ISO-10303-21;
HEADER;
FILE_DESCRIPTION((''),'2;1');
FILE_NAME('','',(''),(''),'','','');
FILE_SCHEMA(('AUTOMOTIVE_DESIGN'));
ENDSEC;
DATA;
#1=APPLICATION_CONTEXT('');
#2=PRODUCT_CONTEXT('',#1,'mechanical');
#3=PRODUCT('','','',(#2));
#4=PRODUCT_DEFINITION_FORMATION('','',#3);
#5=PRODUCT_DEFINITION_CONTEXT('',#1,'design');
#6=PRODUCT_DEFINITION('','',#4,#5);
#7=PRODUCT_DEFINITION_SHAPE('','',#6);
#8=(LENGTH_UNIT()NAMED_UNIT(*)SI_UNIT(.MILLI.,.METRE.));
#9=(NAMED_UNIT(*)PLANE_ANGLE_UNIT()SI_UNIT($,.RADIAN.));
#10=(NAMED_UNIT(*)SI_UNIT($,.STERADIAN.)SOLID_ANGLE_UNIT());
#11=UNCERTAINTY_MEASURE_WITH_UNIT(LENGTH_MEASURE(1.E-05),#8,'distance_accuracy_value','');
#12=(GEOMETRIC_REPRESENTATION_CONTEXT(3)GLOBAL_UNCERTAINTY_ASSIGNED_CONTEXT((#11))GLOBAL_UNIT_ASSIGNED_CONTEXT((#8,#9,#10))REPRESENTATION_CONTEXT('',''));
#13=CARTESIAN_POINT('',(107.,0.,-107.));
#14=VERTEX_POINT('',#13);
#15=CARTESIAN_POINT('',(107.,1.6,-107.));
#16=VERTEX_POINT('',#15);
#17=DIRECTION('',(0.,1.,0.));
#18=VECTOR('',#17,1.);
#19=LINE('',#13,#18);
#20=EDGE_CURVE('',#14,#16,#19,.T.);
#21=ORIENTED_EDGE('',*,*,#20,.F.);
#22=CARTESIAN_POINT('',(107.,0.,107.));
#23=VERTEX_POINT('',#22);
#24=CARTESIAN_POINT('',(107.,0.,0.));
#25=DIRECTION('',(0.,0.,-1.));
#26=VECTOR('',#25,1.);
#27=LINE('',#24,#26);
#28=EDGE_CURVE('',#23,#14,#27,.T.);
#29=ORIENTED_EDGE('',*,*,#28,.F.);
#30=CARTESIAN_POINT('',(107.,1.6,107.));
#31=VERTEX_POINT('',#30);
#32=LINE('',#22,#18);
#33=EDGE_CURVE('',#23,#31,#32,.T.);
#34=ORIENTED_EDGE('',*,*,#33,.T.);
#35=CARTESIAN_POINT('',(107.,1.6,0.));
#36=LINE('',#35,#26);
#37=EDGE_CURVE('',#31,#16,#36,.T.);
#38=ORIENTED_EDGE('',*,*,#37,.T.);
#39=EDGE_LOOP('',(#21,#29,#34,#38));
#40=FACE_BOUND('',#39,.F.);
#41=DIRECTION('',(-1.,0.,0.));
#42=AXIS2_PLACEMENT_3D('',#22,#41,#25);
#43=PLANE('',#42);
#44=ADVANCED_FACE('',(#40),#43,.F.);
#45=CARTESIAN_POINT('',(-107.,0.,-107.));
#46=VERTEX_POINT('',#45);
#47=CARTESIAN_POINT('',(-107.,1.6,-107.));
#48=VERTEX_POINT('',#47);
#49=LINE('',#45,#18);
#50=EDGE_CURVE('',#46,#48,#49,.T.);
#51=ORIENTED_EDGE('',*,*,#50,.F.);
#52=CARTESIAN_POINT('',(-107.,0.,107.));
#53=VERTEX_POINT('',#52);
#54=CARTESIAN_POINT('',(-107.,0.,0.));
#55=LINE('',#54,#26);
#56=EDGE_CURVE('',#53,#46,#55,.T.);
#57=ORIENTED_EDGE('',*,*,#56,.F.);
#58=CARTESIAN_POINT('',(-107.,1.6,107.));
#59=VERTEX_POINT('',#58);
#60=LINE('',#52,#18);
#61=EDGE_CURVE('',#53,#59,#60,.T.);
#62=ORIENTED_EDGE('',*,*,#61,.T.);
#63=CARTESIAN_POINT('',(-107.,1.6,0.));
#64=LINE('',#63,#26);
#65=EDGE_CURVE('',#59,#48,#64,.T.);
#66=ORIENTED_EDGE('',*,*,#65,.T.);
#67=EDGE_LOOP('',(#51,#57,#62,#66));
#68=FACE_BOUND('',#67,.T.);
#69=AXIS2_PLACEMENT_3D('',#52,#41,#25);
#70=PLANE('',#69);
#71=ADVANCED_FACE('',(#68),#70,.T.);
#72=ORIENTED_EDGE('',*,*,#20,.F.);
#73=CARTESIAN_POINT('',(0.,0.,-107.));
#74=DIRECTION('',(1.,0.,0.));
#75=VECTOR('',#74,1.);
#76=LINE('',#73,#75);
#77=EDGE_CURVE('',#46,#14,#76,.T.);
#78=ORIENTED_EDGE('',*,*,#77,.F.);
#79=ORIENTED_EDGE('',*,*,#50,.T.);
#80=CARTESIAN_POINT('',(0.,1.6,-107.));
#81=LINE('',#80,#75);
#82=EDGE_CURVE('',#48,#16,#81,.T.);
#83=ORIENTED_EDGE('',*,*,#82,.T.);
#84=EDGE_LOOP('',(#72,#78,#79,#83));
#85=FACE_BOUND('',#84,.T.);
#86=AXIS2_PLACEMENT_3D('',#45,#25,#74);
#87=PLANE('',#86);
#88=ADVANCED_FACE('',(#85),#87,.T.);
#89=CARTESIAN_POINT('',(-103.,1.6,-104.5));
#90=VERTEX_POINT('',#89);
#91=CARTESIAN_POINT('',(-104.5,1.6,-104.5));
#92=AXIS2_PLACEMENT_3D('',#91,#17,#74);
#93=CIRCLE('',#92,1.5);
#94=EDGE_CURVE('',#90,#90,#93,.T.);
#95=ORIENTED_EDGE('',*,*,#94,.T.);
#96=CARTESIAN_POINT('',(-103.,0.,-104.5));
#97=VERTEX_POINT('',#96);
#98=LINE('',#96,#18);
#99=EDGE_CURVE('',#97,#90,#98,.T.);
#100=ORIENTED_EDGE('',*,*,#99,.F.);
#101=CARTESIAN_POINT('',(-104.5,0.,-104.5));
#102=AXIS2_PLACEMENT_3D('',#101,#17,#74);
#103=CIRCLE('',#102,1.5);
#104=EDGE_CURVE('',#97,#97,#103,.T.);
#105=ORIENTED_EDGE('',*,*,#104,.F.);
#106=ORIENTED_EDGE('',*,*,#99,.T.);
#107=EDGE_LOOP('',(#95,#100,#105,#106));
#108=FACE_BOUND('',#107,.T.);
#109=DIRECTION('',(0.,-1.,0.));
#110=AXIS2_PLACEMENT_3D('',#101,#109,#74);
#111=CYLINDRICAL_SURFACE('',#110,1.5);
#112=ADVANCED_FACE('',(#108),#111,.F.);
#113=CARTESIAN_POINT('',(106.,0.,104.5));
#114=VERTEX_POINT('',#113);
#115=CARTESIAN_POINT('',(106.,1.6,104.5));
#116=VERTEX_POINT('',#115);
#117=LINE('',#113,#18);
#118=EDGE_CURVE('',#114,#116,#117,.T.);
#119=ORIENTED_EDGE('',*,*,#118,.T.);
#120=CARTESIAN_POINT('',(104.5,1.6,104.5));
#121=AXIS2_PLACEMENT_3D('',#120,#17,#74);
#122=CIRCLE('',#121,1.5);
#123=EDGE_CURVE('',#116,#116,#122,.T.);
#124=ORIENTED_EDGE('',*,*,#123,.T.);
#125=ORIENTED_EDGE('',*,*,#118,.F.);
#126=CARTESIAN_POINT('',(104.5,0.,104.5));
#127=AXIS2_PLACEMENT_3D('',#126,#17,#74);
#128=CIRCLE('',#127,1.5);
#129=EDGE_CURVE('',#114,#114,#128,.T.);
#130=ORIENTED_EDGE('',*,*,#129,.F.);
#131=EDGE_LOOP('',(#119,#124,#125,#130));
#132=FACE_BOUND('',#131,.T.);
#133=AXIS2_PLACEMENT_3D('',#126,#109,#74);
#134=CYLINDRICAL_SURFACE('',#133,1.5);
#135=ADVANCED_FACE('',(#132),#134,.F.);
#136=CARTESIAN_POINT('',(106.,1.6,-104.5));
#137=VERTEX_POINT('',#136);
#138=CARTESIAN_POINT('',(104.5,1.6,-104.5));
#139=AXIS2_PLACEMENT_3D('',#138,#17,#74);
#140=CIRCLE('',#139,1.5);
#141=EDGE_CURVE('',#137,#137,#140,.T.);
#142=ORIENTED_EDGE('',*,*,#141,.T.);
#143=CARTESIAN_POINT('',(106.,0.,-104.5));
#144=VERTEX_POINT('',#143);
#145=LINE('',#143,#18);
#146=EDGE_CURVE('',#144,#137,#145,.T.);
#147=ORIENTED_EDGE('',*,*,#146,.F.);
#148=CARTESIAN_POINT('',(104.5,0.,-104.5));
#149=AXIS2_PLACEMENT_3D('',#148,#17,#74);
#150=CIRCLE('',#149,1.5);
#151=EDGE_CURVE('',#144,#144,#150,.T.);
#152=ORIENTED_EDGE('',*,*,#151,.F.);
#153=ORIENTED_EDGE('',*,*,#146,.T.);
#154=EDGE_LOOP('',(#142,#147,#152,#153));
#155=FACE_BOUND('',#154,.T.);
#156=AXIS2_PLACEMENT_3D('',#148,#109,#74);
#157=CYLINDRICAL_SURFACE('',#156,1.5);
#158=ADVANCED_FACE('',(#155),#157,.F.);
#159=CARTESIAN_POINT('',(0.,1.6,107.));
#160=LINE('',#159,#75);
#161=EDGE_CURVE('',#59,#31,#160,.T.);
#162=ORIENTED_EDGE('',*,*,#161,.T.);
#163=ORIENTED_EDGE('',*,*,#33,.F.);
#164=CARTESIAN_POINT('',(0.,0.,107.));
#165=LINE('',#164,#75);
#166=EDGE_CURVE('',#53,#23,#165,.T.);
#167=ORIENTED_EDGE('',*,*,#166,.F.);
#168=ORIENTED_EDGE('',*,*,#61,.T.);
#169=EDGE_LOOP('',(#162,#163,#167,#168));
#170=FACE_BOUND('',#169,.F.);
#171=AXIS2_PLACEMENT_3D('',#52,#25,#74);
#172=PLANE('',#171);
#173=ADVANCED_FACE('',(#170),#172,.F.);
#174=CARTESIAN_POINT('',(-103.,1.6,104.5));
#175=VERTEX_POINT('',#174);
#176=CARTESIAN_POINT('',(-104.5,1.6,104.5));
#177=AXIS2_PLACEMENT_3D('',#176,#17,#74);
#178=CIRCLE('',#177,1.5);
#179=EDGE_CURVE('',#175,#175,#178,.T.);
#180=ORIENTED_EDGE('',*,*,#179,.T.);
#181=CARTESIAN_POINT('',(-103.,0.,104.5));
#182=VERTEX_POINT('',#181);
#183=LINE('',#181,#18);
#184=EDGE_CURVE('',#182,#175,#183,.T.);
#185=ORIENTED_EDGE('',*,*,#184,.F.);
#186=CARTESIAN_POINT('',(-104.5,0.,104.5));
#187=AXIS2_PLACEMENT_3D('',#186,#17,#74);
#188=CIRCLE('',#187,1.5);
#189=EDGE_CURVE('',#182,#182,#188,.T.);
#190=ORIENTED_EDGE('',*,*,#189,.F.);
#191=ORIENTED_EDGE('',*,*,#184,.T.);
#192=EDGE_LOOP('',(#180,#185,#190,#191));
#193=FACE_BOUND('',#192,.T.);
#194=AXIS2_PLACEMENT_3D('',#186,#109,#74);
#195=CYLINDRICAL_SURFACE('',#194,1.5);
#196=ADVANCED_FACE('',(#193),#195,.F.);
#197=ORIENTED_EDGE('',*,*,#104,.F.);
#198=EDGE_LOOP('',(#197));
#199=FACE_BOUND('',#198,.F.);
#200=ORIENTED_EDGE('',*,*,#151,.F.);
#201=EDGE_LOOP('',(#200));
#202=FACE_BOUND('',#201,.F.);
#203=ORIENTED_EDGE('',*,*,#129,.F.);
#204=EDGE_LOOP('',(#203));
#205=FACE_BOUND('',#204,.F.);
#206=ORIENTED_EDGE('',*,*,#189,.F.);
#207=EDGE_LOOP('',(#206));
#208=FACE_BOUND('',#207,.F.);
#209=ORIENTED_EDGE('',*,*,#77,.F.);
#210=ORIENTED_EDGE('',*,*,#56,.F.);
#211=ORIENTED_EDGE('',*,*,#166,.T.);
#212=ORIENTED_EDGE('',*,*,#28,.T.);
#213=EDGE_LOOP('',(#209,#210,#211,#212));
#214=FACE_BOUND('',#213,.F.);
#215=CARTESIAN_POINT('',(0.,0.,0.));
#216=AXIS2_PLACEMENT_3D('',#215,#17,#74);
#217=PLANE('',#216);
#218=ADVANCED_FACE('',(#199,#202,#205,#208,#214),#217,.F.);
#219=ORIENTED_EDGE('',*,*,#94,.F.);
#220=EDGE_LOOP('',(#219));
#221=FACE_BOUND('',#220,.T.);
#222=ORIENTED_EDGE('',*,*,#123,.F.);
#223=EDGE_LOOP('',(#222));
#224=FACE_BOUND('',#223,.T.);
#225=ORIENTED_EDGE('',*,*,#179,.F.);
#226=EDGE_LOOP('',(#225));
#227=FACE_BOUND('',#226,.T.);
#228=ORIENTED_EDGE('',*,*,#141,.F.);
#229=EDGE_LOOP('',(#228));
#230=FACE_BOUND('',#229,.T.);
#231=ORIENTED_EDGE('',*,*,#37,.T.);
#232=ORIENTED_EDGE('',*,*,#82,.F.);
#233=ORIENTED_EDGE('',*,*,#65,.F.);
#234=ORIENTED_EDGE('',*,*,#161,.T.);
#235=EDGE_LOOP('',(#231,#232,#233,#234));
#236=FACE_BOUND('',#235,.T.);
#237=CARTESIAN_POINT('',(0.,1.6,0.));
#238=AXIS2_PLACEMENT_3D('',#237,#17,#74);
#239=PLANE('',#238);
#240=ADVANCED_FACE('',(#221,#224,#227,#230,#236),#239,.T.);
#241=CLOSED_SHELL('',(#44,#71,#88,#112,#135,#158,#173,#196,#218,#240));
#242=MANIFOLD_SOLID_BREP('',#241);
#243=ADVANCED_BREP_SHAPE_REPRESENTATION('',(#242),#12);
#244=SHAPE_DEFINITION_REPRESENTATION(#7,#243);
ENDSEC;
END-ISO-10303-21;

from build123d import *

# Parameters (mm, degrees)
SKETCH1_W           = 214
SKETCH1_H           = 214
SKETCH1_R           = 1.5
BOSS_EXTRUDE1_DEPTH = 1.6


with BuildPart() as part:
    # Sketch1 → Boss-Extrude1 (new body)
    with BuildSketch(Plane(origin=(0, 0, 0), x_dir=(1, 0, 0), z_dir=(0, 1, 0))):
        Rectangle(SKETCH1_W, SKETCH1_H)
        with Locations((-104.5, 104.5)):
            Circle(SKETCH1_R, mode=Mode.SUBTRACT)
        with Locations((104.5, 104.5)):
            Circle(SKETCH1_R, mode=Mode.SUBTRACT)
        with Locations((104.5, -104.5)):
            Circle(SKETCH1_R, mode=Mode.SUBTRACT)
        with Locations((-104.5, -104.5)):
            Circle(SKETCH1_R, mode=Mode.SUBTRACT)
    extrude(amount=BOSS_EXTRUDE1_DEPTH)


solid = part.part
